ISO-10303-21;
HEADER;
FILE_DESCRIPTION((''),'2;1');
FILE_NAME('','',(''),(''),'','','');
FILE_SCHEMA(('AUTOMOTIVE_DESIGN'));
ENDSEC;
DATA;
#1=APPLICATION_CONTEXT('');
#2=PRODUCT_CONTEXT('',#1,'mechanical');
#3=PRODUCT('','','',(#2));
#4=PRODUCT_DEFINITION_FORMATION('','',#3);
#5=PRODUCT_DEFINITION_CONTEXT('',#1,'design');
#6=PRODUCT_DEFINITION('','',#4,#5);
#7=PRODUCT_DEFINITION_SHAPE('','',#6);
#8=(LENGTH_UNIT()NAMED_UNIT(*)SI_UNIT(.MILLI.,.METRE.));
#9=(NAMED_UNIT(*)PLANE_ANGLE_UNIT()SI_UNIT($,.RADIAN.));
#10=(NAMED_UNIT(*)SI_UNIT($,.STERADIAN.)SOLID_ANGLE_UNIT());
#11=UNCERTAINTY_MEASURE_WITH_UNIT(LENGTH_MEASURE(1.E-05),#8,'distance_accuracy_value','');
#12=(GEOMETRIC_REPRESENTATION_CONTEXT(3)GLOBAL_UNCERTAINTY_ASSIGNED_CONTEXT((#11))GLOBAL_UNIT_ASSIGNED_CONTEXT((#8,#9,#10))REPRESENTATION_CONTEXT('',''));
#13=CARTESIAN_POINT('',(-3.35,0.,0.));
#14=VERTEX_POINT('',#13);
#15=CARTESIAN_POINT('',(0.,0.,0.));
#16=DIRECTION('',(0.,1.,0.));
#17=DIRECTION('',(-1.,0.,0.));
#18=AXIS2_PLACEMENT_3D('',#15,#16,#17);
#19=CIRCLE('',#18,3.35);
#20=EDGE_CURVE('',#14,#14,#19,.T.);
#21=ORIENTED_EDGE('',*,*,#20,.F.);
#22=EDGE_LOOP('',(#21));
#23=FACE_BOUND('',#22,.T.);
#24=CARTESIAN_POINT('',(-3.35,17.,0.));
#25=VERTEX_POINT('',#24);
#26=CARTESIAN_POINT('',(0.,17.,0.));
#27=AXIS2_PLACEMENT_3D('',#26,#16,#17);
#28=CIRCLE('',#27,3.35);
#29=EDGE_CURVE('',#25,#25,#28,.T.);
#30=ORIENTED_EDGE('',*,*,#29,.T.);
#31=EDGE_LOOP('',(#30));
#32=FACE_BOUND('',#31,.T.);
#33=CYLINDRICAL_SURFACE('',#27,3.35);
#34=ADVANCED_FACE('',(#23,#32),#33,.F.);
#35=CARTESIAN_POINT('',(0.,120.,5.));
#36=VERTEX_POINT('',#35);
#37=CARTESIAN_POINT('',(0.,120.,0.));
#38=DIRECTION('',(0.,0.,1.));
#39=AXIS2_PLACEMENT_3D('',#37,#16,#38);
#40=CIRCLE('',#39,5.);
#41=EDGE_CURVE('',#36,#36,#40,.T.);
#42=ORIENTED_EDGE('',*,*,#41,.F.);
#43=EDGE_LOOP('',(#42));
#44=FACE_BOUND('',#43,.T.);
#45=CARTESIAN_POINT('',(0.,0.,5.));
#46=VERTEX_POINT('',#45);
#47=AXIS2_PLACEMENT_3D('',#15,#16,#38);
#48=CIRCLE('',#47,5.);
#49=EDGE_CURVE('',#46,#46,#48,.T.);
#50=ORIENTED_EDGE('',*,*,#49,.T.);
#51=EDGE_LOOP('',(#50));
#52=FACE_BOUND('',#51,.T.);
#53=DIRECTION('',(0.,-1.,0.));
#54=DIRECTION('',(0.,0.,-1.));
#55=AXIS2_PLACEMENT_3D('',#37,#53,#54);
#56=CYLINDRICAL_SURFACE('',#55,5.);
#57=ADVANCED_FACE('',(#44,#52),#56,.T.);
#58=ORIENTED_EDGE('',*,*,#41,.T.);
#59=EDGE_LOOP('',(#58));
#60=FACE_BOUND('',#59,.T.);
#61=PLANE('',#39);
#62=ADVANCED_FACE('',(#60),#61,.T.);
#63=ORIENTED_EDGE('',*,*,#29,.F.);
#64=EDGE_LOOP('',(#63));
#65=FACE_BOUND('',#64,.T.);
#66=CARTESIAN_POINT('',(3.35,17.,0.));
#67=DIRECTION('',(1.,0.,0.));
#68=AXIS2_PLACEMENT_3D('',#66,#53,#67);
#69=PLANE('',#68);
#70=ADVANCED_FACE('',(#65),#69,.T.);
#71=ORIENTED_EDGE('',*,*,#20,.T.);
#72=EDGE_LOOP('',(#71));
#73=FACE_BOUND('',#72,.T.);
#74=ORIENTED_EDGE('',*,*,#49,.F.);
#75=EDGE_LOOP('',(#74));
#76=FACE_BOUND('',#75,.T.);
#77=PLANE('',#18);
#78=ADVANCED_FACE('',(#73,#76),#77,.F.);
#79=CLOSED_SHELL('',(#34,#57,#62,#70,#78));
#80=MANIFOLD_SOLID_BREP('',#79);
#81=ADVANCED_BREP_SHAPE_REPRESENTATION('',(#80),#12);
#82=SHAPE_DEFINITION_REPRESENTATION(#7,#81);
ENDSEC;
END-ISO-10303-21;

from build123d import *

# Parameters (mm, degrees)
SKETCH4_R           = 5
BOSS_EXTRUDE1_DEPTH = 120
SKETCH5_W           = 3.35
SKETCH5_H           = 17


with BuildPart() as part:
    # Sketch3 → Revolve1 (revolve)
    with BuildSketch(Plane.XY, mode=Mode.PRIVATE) as revolve1_sk:
        Polygon((0, 0), (2.7, 0), (3.35, 17), (0, 17), align=None)
    revolve(revolve1_sk.sketch.rotate(Axis((0, 17, 0), (0, -1, 0)), 180), axis=Axis((0, 17, 0), (0, -1, 0)))

    # Sketch4 → Boss-Extrude1 (add)
    with BuildSketch(Plane(origin=(0, 0, 0), x_dir=(1, 0, 0), z_dir=(0, 1, 0))):
        with Locations(Location((0, 0, 0), (0, 0, 270))):
            Circle(SKETCH4_R)
    extrude(amount=BOSS_EXTRUDE1_DEPTH)

    # Sketch5 → Cut-Revolve1 (revolve, cut)
    with BuildSketch(Plane.XY, mode=Mode.PRIVATE) as cut_revolve1_sk:
        with Locations((1.675, 8.5)):
            Rectangle(SKETCH5_W, SKETCH5_H)
    revolve(cut_revolve1_sk.sketch.rotate(Axis((0, 17, 0), (0, -1, 0)), 180), axis=Axis((0, 17, 0), (0, -1, 0)), mode=Mode.SUBTRACT)


solid = part.part
